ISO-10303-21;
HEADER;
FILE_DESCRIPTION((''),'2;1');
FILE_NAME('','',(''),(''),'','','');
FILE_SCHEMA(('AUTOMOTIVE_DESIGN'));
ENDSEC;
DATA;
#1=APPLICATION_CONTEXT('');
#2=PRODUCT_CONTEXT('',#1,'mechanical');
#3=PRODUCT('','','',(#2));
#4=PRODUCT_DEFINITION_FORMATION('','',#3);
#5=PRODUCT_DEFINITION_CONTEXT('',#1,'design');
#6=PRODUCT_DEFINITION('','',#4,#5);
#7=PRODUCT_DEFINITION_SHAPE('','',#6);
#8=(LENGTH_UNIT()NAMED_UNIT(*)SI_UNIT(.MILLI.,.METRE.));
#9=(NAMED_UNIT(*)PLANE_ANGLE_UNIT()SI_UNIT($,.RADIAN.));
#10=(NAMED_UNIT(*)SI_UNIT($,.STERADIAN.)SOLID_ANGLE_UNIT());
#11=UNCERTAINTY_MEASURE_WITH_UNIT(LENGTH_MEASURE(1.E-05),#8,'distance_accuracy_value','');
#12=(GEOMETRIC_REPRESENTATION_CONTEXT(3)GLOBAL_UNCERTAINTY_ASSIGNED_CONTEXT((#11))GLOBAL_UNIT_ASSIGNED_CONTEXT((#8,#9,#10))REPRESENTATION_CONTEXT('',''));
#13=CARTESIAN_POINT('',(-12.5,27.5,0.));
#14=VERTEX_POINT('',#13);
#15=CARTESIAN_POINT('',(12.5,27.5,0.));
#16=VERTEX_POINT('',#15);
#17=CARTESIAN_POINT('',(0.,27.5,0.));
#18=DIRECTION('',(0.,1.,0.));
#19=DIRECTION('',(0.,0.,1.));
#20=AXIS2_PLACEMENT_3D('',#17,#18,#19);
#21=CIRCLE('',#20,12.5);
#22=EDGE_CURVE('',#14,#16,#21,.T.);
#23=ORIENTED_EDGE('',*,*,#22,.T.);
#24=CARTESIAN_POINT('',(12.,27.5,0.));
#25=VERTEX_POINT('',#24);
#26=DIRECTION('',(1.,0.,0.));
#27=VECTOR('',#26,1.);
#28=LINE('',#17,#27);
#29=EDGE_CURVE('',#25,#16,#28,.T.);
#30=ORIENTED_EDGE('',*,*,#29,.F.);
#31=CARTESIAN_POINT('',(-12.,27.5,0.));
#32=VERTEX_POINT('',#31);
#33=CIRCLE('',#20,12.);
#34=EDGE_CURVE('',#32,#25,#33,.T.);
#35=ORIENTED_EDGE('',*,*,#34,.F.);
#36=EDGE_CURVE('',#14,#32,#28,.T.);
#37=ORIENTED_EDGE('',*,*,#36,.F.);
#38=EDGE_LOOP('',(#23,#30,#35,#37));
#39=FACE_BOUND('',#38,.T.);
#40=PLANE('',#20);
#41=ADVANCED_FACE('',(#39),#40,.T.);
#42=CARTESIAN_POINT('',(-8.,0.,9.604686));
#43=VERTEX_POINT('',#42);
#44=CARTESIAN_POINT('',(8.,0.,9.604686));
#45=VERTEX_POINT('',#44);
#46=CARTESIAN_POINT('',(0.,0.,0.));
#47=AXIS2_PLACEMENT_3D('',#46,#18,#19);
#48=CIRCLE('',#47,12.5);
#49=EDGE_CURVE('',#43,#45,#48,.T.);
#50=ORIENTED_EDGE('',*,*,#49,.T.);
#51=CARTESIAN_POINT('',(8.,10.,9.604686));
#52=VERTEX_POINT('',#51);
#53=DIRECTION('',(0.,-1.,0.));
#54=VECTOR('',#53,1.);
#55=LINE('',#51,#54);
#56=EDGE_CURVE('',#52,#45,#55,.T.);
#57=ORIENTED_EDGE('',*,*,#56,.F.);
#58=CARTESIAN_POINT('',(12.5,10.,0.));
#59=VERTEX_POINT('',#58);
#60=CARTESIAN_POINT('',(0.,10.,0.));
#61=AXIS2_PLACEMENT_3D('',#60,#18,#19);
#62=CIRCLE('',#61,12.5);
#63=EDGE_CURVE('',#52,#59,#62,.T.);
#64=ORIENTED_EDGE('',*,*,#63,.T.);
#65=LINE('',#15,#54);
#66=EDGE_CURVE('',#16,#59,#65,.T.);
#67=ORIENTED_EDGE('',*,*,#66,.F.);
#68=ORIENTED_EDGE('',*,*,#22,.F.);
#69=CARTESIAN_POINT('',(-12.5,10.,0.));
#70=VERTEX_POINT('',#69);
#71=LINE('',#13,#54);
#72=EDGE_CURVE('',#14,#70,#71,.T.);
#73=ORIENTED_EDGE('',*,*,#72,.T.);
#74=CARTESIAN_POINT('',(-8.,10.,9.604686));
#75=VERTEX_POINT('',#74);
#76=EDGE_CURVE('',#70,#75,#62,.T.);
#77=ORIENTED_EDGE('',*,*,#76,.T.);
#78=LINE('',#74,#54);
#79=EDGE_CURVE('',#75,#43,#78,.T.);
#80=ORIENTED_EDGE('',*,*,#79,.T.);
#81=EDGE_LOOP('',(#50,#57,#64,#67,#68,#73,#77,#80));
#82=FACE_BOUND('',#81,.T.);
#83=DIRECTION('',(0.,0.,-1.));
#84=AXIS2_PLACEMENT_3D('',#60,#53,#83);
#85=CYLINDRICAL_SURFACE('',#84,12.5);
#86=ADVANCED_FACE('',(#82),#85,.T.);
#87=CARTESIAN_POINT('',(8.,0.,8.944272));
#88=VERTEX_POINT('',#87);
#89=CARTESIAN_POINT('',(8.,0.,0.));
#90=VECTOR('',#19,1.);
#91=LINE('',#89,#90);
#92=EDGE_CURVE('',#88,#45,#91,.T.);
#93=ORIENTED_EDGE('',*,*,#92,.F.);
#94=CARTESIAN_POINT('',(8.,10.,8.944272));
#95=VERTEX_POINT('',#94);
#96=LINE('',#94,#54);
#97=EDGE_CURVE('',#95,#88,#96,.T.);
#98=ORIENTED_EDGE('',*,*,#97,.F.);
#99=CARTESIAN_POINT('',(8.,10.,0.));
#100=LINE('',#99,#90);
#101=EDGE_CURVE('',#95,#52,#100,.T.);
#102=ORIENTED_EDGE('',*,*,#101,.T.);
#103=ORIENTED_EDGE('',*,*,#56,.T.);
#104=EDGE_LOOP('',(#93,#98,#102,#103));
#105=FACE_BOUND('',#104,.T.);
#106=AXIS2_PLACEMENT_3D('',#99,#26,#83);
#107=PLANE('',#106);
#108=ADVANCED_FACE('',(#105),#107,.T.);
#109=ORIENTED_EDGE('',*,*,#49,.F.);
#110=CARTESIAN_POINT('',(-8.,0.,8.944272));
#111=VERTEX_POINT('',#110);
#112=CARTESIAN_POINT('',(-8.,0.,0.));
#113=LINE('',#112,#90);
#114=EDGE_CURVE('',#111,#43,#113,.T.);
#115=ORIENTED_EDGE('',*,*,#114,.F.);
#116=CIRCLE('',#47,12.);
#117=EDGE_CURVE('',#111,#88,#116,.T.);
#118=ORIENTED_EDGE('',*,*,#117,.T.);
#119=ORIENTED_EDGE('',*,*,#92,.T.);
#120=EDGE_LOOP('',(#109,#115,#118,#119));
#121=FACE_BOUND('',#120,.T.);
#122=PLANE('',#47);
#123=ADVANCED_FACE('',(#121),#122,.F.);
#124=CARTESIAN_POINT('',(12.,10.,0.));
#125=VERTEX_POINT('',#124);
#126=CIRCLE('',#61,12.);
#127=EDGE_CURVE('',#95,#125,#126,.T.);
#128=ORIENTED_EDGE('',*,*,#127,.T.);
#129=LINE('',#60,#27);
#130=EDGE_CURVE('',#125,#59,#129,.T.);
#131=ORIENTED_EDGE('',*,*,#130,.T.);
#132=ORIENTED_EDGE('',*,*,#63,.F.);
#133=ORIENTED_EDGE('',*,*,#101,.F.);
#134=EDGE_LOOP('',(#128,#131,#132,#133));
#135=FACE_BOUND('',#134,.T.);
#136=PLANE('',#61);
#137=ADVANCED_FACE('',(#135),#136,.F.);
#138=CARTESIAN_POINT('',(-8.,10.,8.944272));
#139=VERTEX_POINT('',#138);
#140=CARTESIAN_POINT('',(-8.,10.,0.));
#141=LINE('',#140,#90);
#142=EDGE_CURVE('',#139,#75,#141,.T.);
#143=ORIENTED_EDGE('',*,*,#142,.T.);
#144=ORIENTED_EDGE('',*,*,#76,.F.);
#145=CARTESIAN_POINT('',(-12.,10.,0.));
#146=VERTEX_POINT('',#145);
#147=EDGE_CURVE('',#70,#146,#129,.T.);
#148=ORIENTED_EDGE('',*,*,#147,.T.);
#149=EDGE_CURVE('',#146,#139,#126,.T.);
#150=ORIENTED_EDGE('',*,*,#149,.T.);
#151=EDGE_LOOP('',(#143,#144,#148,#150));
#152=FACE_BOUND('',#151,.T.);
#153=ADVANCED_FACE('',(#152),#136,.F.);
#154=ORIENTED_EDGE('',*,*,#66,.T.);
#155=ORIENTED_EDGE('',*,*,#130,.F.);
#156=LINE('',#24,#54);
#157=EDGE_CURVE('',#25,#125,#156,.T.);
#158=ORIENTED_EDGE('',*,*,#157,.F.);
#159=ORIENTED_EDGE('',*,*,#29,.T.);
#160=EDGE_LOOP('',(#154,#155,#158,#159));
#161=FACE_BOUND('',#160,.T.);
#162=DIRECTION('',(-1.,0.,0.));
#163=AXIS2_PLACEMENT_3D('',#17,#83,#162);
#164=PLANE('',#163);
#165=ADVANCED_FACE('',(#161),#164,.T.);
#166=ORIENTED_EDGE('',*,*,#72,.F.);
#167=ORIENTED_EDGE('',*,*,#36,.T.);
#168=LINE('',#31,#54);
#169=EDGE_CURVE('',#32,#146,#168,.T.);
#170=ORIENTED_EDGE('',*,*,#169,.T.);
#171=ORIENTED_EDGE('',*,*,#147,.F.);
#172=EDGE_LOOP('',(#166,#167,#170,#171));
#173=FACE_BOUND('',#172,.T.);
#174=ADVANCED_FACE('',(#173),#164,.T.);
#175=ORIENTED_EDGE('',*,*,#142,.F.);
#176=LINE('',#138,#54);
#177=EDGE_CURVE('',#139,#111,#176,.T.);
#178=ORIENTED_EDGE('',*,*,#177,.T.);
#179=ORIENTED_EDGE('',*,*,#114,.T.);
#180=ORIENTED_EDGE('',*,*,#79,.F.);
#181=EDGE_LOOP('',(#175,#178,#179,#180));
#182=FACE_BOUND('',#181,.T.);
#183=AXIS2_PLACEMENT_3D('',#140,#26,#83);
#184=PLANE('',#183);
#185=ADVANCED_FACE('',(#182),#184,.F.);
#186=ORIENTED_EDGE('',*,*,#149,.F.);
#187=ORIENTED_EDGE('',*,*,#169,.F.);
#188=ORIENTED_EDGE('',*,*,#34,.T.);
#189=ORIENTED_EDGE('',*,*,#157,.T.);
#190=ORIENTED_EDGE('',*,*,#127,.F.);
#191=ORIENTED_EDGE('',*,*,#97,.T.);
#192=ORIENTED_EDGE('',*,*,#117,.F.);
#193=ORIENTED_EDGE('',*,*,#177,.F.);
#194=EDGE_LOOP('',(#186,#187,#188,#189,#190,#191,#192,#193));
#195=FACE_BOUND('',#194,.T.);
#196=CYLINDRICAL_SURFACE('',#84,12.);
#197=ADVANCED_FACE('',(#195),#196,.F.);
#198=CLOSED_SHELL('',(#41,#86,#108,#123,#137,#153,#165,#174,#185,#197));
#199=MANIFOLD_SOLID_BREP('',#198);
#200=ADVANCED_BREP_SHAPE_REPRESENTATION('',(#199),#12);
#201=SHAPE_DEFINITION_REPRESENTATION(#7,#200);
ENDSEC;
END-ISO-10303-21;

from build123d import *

# Parameters (mm, degrees)
BOSS_EXTRUDE1_DEPTH = 10
BOSS_EXTRUDE2_START = 10
BOSS_EXTRUDE2_DEPTH = 17.5


with BuildPart() as part:
    # Sketch1 → Boss-Extrude1 (new body)
    with BuildSketch(Plane(origin=(0, 0, 0), x_dir=(1, 0, 0), z_dir=(0, 1, 0))):
        with BuildLine():
            Line((-8, -8.94427191), (-8, -9.604686356))
            ThreePointArc((-8, -9.604686356), (0, -12.5), (8, -9.604686356))
            Line((8, -9.604686356), (8, -8.94427191))
            ThreePointArc((8, -8.94427191), (0, -12), (-8, -8.94427191))
        make_face()
    extrude(amount=BOSS_EXTRUDE1_DEPTH)

    # Sketch1<3> → Boss-Extrude2 (add)
    with BuildSketch(Plane(origin=(0, 0, 0), x_dir=(1, 0, 0), z_dir=(0, 1, 0)).offset(BOSS_EXTRUDE2_START)):
        with BuildLine():
            Line((-12, 0), (-12.5, 0))
            ThreePointArc((-12.5, 0), (-11.319231423, -5.303300859), (-8, -9.604686356))
            Line((-8, -9.604686356), (-8, -8.94427191))
            ThreePointArc((-8, -8.94427191), (-10.95445115, -4.898979486), (-12, 0))
        make_face()
        with BuildLine():
            Line((-8, -8.94427191), (-8, -9.604686356))
            ThreePointArc((-8, -9.604686356), (0, -12.5), (8, -9.604686356))
            Line((8, -9.604686356), (8, -8.94427191))
            ThreePointArc((8, -8.94427191), (0, -12), (-8, -8.94427191))
        make_face()
        with BuildLine():
            Line((8, -8.94427191), (8, -9.604686356))
            ThreePointArc((8, -9.604686356), (11.319231423, -5.303300859), (12.5, 0))
            Line((12.5, 0), (12, 0))
            ThreePointArc((12, 0), (10.95445115, -4.898979486), (8, -8.94427191))
        make_face()
    extrude(amount=BOSS_EXTRUDE2_DEPTH)


solid = part.part
